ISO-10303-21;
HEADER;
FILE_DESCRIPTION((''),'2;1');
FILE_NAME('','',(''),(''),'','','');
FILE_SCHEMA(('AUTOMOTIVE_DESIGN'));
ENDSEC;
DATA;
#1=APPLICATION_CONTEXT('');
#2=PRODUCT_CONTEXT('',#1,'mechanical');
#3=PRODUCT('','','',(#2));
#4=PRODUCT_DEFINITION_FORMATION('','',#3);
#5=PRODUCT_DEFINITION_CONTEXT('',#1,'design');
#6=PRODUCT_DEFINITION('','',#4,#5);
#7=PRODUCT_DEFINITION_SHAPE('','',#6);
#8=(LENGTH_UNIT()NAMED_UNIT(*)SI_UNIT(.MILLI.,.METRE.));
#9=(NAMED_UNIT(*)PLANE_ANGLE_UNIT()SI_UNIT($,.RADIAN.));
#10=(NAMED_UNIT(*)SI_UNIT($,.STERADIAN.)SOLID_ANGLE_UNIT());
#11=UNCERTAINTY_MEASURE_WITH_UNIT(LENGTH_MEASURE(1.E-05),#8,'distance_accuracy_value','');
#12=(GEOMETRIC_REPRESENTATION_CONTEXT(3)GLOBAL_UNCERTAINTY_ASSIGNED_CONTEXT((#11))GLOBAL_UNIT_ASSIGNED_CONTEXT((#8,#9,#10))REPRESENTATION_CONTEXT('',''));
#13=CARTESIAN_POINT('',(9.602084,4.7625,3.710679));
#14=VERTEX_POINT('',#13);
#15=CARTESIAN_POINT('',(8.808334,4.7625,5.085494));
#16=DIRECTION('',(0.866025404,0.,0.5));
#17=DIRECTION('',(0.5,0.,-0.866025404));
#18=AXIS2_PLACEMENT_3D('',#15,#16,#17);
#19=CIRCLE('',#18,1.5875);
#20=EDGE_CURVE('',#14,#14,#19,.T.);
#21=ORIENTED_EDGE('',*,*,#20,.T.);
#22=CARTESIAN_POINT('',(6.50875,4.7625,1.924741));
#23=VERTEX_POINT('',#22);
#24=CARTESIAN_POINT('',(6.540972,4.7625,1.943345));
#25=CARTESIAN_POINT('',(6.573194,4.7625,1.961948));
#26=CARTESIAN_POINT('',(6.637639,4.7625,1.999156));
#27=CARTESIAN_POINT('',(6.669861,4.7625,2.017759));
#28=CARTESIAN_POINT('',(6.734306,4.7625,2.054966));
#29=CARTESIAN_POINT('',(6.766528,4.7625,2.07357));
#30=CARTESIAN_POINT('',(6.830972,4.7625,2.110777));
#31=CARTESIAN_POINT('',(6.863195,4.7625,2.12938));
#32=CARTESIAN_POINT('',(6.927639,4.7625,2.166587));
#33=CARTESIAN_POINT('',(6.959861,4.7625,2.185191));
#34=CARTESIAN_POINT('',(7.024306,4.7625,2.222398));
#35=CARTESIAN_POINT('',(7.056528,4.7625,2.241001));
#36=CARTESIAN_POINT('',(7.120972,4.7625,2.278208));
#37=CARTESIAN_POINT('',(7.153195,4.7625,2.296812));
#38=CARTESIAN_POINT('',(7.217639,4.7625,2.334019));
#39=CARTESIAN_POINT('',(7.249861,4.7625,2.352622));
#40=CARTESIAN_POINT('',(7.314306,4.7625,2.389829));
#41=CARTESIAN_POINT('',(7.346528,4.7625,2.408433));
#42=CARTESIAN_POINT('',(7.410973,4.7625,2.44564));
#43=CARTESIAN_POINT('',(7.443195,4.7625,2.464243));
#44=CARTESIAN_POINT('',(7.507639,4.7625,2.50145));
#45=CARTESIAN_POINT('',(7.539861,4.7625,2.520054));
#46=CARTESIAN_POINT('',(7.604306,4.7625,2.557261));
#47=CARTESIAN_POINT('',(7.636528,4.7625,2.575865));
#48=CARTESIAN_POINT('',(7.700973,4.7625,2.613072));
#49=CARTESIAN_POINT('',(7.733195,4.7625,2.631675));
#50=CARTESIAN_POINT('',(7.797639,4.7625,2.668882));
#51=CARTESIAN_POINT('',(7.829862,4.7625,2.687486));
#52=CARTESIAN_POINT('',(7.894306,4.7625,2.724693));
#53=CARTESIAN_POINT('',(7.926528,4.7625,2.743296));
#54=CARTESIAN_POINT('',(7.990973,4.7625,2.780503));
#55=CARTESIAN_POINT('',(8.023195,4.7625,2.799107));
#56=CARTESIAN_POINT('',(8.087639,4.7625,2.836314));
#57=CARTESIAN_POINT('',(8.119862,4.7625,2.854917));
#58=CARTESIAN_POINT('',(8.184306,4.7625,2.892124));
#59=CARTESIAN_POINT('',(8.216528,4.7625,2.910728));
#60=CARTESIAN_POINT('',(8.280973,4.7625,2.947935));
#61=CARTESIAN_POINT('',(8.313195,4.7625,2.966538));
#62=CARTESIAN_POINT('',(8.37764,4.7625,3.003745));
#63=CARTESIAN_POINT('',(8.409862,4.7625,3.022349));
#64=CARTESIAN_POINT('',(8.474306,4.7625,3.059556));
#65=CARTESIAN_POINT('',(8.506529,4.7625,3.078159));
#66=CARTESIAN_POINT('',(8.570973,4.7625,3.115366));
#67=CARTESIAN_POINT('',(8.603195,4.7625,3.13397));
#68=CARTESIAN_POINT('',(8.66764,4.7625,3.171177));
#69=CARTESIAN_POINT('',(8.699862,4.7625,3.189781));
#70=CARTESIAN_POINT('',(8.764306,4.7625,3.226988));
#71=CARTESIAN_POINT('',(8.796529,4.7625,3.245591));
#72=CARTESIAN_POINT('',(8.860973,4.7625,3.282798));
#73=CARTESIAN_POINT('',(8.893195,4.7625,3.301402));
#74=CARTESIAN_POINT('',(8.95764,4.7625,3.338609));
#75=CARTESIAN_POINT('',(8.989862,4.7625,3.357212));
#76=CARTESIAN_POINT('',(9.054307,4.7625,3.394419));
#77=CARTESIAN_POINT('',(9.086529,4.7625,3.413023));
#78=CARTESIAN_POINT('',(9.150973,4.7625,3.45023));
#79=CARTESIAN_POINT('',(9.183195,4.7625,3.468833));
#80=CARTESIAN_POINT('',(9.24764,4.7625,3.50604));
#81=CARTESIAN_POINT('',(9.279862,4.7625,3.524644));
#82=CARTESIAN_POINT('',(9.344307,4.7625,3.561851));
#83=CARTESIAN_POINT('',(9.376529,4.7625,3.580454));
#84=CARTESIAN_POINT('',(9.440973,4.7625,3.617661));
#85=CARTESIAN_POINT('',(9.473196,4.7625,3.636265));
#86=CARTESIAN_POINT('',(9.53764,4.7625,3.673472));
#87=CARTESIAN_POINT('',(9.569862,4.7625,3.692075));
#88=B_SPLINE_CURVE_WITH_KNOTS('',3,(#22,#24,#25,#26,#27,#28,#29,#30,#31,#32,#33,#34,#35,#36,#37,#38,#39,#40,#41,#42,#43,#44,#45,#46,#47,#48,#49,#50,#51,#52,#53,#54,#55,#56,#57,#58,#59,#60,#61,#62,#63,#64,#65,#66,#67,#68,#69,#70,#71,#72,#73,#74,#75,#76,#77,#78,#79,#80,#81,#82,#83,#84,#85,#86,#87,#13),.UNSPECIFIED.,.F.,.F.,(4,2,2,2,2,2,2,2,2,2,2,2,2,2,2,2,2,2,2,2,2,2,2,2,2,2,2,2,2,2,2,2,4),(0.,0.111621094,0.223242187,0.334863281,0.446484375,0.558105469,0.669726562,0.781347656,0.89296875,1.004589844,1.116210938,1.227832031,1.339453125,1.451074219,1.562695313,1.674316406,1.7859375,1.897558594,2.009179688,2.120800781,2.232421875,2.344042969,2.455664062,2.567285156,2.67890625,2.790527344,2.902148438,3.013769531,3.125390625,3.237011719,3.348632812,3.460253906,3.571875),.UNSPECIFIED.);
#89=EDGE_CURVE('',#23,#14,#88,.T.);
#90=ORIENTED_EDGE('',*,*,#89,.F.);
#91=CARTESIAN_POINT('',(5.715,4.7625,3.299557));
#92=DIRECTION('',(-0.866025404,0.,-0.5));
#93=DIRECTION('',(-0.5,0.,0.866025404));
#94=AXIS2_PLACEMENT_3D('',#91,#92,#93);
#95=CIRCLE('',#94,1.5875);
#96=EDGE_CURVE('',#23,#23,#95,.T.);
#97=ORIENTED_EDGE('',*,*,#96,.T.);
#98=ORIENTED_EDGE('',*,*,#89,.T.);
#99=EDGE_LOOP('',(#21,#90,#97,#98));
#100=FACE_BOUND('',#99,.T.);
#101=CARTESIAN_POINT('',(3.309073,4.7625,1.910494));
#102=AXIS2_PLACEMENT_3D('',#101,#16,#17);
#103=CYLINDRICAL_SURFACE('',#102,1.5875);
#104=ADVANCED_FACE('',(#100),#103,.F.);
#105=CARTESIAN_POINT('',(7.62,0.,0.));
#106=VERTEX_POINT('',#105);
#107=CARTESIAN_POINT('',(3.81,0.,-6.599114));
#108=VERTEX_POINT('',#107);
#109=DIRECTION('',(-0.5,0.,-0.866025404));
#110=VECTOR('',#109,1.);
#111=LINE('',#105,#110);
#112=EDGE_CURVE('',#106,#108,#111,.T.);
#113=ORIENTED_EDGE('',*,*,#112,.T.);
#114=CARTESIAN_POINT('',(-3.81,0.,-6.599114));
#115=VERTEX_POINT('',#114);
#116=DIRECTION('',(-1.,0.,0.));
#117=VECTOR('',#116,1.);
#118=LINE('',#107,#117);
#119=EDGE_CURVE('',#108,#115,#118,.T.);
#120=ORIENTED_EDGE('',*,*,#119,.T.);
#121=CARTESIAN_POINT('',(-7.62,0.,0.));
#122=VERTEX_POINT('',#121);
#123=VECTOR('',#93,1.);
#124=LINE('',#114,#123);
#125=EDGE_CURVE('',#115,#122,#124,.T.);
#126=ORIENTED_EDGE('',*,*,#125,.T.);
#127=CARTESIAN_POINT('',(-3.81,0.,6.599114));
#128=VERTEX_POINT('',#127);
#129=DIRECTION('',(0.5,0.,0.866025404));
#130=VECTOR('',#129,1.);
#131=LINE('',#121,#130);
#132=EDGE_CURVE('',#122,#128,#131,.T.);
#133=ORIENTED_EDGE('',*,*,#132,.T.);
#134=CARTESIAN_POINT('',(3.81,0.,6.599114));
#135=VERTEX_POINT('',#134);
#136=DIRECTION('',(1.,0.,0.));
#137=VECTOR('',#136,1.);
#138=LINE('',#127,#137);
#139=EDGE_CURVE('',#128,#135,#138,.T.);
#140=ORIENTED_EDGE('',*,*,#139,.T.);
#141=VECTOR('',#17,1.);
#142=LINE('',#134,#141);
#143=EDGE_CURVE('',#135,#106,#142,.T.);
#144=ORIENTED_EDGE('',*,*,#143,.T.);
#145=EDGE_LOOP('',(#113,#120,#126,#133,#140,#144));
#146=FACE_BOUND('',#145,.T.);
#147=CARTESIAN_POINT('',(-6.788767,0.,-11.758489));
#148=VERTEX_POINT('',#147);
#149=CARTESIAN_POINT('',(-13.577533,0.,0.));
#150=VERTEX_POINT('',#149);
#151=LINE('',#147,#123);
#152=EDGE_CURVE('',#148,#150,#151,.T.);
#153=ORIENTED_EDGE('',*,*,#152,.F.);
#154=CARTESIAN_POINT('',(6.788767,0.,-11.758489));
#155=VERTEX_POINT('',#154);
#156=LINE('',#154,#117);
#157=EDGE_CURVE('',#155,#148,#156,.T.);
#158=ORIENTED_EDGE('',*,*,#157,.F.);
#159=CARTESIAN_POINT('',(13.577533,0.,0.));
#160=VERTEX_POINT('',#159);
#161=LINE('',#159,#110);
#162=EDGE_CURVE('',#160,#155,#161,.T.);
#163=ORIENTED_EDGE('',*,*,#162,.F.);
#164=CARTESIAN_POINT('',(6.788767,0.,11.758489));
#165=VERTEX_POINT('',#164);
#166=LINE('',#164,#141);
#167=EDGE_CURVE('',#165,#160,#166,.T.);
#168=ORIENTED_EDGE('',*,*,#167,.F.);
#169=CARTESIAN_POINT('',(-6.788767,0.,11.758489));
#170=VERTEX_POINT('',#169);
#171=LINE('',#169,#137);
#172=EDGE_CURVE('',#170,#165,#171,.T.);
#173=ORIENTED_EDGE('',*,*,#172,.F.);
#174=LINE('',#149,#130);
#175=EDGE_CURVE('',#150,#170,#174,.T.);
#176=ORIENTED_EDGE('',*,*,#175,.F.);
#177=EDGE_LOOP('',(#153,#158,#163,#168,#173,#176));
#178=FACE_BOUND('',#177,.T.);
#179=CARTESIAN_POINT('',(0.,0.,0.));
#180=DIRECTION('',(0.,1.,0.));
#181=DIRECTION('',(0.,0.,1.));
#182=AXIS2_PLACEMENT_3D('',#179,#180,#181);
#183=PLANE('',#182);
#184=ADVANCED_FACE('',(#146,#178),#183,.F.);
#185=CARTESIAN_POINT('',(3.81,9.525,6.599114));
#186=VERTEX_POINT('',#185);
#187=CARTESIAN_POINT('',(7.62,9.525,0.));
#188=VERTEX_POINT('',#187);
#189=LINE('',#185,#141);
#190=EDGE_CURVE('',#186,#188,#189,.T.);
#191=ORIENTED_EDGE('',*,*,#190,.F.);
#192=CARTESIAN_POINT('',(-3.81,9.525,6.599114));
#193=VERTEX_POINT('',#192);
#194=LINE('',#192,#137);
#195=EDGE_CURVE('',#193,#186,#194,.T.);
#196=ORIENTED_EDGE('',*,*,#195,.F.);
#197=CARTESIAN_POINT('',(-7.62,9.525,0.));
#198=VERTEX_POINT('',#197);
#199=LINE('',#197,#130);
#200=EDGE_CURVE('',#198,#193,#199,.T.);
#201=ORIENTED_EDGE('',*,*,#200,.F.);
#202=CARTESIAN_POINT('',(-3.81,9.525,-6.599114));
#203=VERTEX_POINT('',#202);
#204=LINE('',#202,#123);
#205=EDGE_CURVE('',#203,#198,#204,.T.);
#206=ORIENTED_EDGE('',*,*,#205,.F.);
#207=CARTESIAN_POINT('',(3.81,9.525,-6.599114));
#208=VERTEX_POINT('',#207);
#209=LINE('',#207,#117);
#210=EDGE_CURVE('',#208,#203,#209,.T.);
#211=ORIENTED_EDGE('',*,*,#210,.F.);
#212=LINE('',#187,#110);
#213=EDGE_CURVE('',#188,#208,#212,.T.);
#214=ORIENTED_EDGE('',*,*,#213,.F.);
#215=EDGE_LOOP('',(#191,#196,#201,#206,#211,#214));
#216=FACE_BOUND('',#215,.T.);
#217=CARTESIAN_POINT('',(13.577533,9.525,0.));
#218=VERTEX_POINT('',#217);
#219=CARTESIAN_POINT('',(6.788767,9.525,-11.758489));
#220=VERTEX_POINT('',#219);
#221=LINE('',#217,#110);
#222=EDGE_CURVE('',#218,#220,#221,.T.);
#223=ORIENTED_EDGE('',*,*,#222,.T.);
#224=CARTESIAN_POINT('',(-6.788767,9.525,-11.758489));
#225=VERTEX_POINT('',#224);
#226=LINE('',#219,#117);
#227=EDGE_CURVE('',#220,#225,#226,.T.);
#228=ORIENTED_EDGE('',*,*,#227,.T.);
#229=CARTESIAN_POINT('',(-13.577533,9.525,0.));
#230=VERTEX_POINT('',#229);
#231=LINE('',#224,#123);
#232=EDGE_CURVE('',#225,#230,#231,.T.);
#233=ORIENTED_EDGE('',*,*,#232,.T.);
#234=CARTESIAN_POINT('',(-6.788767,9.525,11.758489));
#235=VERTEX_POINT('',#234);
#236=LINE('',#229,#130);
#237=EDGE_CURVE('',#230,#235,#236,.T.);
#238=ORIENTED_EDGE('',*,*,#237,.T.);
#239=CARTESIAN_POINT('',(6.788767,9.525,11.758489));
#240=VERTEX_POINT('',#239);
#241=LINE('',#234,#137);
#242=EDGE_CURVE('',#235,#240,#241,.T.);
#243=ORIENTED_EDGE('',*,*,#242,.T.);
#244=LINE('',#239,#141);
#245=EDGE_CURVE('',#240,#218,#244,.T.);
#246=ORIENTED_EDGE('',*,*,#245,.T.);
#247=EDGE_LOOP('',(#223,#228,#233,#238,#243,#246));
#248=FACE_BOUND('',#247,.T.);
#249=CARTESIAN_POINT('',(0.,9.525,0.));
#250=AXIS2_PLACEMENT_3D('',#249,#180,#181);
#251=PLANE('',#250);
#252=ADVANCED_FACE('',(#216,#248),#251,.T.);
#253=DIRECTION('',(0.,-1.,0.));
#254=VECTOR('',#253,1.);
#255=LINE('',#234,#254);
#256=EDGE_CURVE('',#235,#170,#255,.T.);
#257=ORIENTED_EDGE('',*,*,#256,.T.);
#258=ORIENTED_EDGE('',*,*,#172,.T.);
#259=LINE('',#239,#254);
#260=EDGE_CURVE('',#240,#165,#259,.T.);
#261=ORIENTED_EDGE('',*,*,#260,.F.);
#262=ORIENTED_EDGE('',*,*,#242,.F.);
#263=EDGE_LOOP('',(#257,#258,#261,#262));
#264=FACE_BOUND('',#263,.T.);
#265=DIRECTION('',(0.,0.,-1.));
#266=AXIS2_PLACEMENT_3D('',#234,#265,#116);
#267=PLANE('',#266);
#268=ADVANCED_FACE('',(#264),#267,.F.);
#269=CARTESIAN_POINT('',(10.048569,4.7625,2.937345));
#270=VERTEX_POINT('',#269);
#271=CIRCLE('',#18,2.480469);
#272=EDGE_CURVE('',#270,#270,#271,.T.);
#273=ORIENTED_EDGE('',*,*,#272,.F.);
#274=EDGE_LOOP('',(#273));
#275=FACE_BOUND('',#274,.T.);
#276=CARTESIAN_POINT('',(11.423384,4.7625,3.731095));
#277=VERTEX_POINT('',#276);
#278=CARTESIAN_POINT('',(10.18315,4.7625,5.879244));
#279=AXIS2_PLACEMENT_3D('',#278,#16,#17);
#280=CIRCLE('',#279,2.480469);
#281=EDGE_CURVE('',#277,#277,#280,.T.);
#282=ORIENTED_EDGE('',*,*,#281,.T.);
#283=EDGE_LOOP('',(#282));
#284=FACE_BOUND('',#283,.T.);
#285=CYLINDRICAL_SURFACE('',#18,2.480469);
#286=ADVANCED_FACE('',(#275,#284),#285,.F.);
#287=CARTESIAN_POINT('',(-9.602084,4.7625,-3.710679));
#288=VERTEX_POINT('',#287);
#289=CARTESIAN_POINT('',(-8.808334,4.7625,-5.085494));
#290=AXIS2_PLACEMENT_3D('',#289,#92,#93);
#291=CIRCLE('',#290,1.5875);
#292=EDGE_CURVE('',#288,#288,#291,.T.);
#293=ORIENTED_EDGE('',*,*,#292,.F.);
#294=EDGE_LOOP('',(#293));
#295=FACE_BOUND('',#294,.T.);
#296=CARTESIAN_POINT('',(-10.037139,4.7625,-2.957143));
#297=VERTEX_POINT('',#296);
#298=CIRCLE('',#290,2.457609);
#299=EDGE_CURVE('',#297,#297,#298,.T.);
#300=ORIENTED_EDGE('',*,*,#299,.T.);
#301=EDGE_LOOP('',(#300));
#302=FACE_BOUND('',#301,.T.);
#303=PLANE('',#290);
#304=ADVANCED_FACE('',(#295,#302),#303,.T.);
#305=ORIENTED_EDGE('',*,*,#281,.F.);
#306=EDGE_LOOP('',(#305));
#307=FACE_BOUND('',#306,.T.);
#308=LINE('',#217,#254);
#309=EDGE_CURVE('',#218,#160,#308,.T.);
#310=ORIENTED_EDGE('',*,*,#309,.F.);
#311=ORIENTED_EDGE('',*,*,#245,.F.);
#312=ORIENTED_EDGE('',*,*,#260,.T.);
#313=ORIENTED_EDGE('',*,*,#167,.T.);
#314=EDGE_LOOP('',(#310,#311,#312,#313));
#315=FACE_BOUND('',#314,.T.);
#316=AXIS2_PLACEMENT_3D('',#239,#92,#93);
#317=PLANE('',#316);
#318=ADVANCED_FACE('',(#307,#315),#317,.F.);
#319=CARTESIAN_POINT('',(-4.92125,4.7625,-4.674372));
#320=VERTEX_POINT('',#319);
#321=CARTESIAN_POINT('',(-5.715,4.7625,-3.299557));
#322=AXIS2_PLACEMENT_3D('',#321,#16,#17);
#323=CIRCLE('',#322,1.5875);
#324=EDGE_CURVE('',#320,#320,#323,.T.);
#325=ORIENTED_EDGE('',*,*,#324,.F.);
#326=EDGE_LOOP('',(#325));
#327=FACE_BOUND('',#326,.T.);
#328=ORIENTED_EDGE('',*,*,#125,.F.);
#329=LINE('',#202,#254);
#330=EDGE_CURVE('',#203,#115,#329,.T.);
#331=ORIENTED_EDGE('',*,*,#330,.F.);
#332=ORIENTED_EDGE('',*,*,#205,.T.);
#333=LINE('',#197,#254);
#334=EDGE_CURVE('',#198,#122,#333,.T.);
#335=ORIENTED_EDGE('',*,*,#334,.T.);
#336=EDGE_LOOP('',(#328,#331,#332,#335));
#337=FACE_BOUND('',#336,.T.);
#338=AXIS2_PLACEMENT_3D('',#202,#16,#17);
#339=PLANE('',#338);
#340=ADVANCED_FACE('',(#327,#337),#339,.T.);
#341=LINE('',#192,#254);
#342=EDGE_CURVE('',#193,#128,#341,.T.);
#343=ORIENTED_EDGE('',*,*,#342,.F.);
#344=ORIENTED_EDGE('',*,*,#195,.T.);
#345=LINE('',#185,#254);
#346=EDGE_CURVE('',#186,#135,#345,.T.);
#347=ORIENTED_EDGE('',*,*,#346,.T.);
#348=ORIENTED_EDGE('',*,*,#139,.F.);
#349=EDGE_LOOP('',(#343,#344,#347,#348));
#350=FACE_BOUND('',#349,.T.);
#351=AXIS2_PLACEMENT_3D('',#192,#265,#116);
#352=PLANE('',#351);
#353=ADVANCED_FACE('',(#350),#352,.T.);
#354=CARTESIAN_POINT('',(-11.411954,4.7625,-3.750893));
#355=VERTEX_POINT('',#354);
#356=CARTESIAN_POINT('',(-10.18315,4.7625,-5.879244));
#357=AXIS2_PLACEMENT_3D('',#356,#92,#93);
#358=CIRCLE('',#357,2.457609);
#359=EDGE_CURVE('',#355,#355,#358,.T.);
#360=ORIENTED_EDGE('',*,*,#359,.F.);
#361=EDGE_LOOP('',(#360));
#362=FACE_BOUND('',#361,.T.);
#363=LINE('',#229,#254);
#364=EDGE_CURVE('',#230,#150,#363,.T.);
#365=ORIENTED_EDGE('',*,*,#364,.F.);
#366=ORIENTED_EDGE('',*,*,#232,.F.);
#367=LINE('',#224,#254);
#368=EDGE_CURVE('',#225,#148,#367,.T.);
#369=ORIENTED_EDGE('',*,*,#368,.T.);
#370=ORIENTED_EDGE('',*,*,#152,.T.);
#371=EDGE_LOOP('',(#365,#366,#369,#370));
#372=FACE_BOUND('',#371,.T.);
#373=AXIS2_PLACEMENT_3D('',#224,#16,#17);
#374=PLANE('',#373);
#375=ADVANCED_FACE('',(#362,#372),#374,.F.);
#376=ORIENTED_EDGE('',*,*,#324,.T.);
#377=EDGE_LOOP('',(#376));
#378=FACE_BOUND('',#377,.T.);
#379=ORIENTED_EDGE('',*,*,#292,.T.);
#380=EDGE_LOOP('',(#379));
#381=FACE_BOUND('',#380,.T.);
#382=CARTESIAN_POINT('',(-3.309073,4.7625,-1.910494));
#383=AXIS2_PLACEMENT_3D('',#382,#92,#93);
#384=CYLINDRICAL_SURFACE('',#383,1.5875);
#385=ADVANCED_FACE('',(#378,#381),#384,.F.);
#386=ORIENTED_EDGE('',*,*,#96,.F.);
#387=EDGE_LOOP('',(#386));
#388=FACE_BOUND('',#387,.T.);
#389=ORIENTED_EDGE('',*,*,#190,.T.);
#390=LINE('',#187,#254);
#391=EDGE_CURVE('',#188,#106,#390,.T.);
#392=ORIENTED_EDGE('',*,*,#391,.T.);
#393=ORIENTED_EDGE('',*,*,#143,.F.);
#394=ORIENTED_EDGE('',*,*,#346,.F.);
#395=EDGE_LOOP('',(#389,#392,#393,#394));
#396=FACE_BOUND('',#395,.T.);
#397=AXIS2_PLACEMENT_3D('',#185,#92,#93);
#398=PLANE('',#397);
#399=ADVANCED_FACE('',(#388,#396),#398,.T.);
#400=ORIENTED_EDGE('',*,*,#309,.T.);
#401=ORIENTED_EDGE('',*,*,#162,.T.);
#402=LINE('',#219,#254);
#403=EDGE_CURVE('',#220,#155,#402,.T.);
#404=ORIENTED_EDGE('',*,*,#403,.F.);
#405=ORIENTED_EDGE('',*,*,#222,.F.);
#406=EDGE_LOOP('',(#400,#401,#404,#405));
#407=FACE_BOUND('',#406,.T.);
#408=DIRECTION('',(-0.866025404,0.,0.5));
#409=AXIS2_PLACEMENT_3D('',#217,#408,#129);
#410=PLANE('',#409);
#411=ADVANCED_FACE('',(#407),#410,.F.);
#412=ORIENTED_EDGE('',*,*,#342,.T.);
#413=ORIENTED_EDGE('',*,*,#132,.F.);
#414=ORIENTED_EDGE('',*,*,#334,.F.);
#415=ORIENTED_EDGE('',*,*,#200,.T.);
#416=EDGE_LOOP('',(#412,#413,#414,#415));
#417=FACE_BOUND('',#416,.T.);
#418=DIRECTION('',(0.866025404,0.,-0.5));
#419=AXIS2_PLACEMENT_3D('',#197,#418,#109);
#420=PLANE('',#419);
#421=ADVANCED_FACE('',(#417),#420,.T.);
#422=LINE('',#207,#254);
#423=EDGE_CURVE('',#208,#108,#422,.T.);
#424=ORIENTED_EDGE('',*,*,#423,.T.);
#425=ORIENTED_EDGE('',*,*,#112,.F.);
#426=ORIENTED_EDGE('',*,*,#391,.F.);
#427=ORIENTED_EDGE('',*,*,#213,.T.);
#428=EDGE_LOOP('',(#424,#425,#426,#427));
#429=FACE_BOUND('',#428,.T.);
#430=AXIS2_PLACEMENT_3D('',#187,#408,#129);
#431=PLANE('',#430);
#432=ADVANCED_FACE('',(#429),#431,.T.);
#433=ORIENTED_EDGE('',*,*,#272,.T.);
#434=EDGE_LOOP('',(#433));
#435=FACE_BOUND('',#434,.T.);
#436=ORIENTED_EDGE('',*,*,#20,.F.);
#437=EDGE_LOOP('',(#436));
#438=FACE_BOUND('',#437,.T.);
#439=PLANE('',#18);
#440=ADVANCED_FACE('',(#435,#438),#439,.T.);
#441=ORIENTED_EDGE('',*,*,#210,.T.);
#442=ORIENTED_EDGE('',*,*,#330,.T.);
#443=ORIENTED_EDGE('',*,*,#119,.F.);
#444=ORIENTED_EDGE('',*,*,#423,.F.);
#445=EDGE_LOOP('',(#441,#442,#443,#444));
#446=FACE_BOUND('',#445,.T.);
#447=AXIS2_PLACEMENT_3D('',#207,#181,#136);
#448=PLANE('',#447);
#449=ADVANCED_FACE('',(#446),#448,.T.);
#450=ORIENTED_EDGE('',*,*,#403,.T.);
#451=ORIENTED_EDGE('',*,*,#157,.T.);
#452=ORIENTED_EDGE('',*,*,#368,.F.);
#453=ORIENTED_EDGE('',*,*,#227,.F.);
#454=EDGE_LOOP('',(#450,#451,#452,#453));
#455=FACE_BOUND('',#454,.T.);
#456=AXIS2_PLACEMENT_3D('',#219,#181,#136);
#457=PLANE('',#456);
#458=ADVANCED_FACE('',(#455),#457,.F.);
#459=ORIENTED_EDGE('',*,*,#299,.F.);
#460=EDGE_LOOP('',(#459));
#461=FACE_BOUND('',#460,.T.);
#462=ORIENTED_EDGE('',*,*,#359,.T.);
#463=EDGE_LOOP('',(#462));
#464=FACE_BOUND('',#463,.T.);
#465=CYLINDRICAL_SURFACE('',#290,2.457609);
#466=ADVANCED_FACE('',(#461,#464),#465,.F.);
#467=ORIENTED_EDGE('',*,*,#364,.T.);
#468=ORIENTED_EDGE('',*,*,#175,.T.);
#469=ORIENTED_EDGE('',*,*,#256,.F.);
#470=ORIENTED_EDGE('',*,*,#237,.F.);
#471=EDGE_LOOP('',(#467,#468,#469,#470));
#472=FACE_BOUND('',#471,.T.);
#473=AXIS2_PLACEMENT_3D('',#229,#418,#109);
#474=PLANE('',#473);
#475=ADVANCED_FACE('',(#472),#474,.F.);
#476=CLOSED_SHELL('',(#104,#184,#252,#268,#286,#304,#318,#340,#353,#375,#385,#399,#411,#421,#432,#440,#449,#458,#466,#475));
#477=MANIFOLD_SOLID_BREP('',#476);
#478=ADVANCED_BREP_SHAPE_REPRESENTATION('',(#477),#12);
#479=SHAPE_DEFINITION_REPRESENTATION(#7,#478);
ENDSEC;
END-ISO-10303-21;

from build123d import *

# Parameters (mm, degrees)
BOSS_EXTRUDE1_DEPTH = 9.525
SKETCH2_R           = 2.48046875
CUT_EXTRUDE1_DEPTH  = 1.5875
SKETCH3_R           = 1.5875
CUT_EXTRUDE2_DEPTH  = 6.35
SKETCH4_R           = 2.45760875
CUT_EXTRUDE3_DEPTH  = 1.5875
CUT_EXTRUDE4_START  = -6.35
SKETCH5_R           = 1.5875
CUT_EXTRUDE4_DEPTH  = 6.35


with BuildPart() as part:
    # Sketch1 → Boss-Extrude1 (new body)
    with BuildSketch(Plane(origin=(0, 0, 0), x_dir=(1, 0, 0), z_dir=(0, 1, 0))):
        Polygon((13.57753309, 0), (6.788766545, 11.758488577), (-6.788766545, 11.758488577), (-13.57753309, 0), (-6.788766545, -11.758488577), (6.788766545, -11.758488577), align=None)
        Polygon((7.62, 0), (3.81, 6.599113577), (-3.81, 6.599113577), (-7.62, 0), (-3.81, -6.599113577), (3.81, -6.599113577), align=None, mode=Mode.SUBTRACT)
    extrude(amount=BOSS_EXTRUDE1_DEPTH)

    # Sketch2 → Cut-Extrude1 (cut)
    with BuildSketch(Plane(origin=(10.183149818, 0, 5.879244288), x_dir=(0.4999999999999997, 0, -0.8660254037844389), z_dir=(0.8660254037844389, 0, 0.4999999999999997))):
        with Locations((0, 4.7625)):
            Circle(SKETCH2_R)
    extrude(amount=-CUT_EXTRUDE1_DEPTH, mode=Mode.SUBTRACT)

    # Sketch3 → Cut-Extrude2 (cut)
    with BuildSketch(Plane(origin=(8.808334489, 0, 5.085494288), x_dir=(0.49999999999999983, 0, -0.8660254037844388), z_dir=(0.8660254037844387, 0, 0.4999999999999998))):
        with Locations((0, 4.7625)):
            Circle(SKETCH3_R)
    extrude(amount=-CUT_EXTRUDE2_DEPTH, mode=Mode.SUBTRACT)

    # Sketch4 → Cut-Extrude3 (cut)
    with BuildSketch(Plane(origin=(-10.183149818, 0, -5.879244288), x_dir=(-0.4999999999999997, 0, 0.8660254037844389), z_dir=(-0.8660254037844389, 0, -0.4999999999999997))):
        with Locations((0, 4.7625)):
            Circle(SKETCH4_R)
    extrude(amount=-CUT_EXTRUDE3_DEPTH, mode=Mode.SUBTRACT)

    # Sketch5 → Cut-Extrude4 (cut)
    with BuildSketch(Plane(origin=(-8.808334489, 0, -5.085494288), x_dir=(-0.49999999999999983, 0, 0.8660254037844388), z_dir=(-0.8660254037844387, 0, -0.4999999999999998)).offset(CUT_EXTRUDE4_START)):
        with Locations(Location((0, 4.7625, 0), (0, 0, 180))):
            Circle(SKETCH5_R)
    extrude(amount=CUT_EXTRUDE4_DEPTH, mode=Mode.SUBTRACT)


solid = part.part
